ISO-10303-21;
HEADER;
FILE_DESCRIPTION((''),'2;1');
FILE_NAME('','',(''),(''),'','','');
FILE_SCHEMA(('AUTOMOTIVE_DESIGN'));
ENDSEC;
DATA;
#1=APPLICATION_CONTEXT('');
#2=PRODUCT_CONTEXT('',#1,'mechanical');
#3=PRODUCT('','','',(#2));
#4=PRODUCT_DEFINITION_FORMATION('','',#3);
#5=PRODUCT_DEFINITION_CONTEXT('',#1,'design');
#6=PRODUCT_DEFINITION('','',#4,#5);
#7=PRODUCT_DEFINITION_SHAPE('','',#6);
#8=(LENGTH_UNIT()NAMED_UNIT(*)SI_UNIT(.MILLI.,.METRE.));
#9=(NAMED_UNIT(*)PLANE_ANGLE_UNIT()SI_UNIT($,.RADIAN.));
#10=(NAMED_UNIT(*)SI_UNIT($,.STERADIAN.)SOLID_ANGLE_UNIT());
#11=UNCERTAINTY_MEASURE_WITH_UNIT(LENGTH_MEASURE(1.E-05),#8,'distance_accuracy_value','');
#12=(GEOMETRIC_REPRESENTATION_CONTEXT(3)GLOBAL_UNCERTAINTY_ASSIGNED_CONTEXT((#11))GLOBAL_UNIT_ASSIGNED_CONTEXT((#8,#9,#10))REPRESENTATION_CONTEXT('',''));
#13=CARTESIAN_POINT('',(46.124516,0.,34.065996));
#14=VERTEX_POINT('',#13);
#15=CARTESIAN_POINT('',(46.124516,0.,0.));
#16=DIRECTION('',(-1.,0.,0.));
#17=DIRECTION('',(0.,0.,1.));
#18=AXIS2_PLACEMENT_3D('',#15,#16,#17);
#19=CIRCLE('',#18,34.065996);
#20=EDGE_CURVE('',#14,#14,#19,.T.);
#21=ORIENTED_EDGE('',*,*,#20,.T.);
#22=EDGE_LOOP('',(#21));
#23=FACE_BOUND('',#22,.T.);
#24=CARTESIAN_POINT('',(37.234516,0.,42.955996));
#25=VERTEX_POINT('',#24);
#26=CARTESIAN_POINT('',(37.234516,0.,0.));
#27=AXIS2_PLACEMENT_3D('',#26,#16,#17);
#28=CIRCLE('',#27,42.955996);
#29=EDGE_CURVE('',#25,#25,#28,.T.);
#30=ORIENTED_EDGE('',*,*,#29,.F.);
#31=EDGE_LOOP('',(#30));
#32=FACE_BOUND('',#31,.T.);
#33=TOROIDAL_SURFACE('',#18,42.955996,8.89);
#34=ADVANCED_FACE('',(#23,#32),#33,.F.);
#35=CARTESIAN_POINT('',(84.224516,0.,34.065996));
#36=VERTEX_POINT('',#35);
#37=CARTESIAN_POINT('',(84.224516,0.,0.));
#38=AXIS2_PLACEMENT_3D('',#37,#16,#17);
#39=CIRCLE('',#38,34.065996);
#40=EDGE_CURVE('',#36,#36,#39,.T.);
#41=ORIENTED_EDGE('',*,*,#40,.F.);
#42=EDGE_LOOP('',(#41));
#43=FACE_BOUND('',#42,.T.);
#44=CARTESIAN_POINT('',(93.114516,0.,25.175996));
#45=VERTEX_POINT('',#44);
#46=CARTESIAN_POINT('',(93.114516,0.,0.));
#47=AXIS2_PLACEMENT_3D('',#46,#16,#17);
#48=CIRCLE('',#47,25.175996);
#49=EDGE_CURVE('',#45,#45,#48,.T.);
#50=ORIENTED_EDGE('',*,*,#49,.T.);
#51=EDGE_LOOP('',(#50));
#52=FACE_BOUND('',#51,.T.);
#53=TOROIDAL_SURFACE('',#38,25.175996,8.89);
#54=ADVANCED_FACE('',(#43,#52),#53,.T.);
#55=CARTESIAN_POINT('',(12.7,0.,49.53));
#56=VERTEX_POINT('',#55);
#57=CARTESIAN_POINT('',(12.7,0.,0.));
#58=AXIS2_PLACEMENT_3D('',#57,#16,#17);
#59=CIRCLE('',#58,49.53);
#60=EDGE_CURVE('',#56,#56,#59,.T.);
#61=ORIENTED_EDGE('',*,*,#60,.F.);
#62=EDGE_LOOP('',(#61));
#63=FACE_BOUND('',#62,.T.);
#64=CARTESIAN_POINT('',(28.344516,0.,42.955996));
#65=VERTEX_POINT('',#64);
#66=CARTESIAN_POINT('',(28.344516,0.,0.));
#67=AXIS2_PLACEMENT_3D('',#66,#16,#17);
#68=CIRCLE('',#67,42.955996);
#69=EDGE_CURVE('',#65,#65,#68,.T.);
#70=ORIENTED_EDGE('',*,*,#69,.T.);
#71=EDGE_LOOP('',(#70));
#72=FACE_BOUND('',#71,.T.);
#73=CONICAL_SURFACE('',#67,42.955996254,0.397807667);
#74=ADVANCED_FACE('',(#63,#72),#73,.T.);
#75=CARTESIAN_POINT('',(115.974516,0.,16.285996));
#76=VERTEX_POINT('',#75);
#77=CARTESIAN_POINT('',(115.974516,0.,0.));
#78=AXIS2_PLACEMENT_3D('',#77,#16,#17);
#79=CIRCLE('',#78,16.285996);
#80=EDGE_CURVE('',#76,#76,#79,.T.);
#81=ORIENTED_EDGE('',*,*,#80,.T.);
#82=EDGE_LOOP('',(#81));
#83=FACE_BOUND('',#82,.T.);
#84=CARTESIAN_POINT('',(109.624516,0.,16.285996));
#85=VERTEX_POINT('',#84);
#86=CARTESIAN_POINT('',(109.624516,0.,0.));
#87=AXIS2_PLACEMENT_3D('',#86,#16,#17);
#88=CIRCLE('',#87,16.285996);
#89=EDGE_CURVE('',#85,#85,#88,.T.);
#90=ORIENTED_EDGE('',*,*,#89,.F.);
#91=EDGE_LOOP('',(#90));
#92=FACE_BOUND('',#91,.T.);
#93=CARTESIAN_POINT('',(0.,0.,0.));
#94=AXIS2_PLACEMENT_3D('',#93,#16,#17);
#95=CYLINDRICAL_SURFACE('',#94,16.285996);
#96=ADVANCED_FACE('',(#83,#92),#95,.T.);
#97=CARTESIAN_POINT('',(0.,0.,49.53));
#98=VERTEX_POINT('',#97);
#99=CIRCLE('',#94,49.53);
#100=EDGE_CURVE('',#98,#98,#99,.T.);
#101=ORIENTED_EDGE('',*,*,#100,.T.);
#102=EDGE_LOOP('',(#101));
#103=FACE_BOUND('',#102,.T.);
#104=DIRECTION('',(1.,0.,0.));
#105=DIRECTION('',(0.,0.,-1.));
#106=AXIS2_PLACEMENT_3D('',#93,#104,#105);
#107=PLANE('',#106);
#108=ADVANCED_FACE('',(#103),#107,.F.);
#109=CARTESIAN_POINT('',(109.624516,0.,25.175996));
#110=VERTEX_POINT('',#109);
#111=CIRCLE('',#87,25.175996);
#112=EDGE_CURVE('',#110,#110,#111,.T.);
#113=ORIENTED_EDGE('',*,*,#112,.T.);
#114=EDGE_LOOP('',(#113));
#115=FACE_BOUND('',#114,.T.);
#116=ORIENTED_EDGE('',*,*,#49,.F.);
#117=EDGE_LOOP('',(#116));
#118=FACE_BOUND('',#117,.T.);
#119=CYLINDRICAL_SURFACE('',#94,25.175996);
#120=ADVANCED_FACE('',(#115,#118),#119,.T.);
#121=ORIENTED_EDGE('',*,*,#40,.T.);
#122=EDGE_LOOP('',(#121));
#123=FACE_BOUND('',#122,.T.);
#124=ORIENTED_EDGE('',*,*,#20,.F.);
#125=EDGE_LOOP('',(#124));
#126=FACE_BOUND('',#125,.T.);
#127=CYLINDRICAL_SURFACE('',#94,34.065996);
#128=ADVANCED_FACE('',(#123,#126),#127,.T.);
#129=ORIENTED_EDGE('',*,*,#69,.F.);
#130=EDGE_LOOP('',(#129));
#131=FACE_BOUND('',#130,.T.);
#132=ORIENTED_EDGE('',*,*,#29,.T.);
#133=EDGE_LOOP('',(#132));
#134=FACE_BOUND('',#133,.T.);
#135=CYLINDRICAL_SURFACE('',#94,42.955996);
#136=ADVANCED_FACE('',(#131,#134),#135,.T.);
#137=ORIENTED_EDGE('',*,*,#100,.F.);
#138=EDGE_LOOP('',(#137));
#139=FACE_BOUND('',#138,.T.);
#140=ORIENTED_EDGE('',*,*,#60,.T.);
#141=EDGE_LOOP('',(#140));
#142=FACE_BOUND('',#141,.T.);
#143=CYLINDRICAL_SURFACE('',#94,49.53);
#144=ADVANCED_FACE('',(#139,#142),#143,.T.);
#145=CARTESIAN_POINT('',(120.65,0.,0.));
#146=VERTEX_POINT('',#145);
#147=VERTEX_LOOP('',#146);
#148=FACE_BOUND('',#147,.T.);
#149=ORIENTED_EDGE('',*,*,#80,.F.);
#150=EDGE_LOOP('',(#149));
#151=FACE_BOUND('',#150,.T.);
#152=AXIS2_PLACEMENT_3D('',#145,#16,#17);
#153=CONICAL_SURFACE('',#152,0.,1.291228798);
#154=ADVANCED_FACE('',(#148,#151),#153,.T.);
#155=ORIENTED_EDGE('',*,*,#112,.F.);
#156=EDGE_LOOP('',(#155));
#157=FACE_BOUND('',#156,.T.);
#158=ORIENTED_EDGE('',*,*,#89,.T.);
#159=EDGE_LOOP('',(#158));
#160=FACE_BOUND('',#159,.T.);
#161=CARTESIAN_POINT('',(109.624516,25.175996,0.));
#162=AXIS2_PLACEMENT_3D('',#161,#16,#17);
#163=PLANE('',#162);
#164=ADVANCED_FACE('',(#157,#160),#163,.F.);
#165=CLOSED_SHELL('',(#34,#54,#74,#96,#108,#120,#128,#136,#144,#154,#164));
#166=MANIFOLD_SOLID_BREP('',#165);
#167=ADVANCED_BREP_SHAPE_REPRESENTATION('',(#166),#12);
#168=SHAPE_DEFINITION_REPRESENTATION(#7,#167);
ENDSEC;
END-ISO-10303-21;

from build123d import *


with BuildPart() as part:
    # Sketch1 → Revolve5 (revolve)
    with BuildSketch(Plane.XY):
        with BuildLine():
            Line((0, 0), (120.65, 0))
            Line((120.65, 0), (115.974515988, 16.285996254))
            Line((115.974515988, 16.285996254), (109.624515988, 16.285996254))
            Line((109.624515988, 16.285996254), (109.624515988, 25.175996254))
            Line((109.624515988, 25.175996254), (93.114515988, 25.175996254))
            ThreePointArc((93.114515988, 25.175996254), (90.510695272, 31.462175539), (84.224515988, 34.065996254))
            Line((84.224515988, 34.065996254), (46.124515988, 34.065996254))
            ThreePointArc((46.124515988, 34.065996254), (39.838336703, 36.66981697), (37.234515988, 42.955996254))
            Line((37.234515988, 42.955996254), (28.344515988, 42.955996254))
            Line((28.344515988, 42.955996254), (12.7, 49.53))
            Line((12.7, 49.53), (0, 49.53))
            Line((0, 49.53), (0, 0))
        make_face()
    revolve(axis=Axis((0, 0, 0), (1, 0, 0)))


solid = part.part
